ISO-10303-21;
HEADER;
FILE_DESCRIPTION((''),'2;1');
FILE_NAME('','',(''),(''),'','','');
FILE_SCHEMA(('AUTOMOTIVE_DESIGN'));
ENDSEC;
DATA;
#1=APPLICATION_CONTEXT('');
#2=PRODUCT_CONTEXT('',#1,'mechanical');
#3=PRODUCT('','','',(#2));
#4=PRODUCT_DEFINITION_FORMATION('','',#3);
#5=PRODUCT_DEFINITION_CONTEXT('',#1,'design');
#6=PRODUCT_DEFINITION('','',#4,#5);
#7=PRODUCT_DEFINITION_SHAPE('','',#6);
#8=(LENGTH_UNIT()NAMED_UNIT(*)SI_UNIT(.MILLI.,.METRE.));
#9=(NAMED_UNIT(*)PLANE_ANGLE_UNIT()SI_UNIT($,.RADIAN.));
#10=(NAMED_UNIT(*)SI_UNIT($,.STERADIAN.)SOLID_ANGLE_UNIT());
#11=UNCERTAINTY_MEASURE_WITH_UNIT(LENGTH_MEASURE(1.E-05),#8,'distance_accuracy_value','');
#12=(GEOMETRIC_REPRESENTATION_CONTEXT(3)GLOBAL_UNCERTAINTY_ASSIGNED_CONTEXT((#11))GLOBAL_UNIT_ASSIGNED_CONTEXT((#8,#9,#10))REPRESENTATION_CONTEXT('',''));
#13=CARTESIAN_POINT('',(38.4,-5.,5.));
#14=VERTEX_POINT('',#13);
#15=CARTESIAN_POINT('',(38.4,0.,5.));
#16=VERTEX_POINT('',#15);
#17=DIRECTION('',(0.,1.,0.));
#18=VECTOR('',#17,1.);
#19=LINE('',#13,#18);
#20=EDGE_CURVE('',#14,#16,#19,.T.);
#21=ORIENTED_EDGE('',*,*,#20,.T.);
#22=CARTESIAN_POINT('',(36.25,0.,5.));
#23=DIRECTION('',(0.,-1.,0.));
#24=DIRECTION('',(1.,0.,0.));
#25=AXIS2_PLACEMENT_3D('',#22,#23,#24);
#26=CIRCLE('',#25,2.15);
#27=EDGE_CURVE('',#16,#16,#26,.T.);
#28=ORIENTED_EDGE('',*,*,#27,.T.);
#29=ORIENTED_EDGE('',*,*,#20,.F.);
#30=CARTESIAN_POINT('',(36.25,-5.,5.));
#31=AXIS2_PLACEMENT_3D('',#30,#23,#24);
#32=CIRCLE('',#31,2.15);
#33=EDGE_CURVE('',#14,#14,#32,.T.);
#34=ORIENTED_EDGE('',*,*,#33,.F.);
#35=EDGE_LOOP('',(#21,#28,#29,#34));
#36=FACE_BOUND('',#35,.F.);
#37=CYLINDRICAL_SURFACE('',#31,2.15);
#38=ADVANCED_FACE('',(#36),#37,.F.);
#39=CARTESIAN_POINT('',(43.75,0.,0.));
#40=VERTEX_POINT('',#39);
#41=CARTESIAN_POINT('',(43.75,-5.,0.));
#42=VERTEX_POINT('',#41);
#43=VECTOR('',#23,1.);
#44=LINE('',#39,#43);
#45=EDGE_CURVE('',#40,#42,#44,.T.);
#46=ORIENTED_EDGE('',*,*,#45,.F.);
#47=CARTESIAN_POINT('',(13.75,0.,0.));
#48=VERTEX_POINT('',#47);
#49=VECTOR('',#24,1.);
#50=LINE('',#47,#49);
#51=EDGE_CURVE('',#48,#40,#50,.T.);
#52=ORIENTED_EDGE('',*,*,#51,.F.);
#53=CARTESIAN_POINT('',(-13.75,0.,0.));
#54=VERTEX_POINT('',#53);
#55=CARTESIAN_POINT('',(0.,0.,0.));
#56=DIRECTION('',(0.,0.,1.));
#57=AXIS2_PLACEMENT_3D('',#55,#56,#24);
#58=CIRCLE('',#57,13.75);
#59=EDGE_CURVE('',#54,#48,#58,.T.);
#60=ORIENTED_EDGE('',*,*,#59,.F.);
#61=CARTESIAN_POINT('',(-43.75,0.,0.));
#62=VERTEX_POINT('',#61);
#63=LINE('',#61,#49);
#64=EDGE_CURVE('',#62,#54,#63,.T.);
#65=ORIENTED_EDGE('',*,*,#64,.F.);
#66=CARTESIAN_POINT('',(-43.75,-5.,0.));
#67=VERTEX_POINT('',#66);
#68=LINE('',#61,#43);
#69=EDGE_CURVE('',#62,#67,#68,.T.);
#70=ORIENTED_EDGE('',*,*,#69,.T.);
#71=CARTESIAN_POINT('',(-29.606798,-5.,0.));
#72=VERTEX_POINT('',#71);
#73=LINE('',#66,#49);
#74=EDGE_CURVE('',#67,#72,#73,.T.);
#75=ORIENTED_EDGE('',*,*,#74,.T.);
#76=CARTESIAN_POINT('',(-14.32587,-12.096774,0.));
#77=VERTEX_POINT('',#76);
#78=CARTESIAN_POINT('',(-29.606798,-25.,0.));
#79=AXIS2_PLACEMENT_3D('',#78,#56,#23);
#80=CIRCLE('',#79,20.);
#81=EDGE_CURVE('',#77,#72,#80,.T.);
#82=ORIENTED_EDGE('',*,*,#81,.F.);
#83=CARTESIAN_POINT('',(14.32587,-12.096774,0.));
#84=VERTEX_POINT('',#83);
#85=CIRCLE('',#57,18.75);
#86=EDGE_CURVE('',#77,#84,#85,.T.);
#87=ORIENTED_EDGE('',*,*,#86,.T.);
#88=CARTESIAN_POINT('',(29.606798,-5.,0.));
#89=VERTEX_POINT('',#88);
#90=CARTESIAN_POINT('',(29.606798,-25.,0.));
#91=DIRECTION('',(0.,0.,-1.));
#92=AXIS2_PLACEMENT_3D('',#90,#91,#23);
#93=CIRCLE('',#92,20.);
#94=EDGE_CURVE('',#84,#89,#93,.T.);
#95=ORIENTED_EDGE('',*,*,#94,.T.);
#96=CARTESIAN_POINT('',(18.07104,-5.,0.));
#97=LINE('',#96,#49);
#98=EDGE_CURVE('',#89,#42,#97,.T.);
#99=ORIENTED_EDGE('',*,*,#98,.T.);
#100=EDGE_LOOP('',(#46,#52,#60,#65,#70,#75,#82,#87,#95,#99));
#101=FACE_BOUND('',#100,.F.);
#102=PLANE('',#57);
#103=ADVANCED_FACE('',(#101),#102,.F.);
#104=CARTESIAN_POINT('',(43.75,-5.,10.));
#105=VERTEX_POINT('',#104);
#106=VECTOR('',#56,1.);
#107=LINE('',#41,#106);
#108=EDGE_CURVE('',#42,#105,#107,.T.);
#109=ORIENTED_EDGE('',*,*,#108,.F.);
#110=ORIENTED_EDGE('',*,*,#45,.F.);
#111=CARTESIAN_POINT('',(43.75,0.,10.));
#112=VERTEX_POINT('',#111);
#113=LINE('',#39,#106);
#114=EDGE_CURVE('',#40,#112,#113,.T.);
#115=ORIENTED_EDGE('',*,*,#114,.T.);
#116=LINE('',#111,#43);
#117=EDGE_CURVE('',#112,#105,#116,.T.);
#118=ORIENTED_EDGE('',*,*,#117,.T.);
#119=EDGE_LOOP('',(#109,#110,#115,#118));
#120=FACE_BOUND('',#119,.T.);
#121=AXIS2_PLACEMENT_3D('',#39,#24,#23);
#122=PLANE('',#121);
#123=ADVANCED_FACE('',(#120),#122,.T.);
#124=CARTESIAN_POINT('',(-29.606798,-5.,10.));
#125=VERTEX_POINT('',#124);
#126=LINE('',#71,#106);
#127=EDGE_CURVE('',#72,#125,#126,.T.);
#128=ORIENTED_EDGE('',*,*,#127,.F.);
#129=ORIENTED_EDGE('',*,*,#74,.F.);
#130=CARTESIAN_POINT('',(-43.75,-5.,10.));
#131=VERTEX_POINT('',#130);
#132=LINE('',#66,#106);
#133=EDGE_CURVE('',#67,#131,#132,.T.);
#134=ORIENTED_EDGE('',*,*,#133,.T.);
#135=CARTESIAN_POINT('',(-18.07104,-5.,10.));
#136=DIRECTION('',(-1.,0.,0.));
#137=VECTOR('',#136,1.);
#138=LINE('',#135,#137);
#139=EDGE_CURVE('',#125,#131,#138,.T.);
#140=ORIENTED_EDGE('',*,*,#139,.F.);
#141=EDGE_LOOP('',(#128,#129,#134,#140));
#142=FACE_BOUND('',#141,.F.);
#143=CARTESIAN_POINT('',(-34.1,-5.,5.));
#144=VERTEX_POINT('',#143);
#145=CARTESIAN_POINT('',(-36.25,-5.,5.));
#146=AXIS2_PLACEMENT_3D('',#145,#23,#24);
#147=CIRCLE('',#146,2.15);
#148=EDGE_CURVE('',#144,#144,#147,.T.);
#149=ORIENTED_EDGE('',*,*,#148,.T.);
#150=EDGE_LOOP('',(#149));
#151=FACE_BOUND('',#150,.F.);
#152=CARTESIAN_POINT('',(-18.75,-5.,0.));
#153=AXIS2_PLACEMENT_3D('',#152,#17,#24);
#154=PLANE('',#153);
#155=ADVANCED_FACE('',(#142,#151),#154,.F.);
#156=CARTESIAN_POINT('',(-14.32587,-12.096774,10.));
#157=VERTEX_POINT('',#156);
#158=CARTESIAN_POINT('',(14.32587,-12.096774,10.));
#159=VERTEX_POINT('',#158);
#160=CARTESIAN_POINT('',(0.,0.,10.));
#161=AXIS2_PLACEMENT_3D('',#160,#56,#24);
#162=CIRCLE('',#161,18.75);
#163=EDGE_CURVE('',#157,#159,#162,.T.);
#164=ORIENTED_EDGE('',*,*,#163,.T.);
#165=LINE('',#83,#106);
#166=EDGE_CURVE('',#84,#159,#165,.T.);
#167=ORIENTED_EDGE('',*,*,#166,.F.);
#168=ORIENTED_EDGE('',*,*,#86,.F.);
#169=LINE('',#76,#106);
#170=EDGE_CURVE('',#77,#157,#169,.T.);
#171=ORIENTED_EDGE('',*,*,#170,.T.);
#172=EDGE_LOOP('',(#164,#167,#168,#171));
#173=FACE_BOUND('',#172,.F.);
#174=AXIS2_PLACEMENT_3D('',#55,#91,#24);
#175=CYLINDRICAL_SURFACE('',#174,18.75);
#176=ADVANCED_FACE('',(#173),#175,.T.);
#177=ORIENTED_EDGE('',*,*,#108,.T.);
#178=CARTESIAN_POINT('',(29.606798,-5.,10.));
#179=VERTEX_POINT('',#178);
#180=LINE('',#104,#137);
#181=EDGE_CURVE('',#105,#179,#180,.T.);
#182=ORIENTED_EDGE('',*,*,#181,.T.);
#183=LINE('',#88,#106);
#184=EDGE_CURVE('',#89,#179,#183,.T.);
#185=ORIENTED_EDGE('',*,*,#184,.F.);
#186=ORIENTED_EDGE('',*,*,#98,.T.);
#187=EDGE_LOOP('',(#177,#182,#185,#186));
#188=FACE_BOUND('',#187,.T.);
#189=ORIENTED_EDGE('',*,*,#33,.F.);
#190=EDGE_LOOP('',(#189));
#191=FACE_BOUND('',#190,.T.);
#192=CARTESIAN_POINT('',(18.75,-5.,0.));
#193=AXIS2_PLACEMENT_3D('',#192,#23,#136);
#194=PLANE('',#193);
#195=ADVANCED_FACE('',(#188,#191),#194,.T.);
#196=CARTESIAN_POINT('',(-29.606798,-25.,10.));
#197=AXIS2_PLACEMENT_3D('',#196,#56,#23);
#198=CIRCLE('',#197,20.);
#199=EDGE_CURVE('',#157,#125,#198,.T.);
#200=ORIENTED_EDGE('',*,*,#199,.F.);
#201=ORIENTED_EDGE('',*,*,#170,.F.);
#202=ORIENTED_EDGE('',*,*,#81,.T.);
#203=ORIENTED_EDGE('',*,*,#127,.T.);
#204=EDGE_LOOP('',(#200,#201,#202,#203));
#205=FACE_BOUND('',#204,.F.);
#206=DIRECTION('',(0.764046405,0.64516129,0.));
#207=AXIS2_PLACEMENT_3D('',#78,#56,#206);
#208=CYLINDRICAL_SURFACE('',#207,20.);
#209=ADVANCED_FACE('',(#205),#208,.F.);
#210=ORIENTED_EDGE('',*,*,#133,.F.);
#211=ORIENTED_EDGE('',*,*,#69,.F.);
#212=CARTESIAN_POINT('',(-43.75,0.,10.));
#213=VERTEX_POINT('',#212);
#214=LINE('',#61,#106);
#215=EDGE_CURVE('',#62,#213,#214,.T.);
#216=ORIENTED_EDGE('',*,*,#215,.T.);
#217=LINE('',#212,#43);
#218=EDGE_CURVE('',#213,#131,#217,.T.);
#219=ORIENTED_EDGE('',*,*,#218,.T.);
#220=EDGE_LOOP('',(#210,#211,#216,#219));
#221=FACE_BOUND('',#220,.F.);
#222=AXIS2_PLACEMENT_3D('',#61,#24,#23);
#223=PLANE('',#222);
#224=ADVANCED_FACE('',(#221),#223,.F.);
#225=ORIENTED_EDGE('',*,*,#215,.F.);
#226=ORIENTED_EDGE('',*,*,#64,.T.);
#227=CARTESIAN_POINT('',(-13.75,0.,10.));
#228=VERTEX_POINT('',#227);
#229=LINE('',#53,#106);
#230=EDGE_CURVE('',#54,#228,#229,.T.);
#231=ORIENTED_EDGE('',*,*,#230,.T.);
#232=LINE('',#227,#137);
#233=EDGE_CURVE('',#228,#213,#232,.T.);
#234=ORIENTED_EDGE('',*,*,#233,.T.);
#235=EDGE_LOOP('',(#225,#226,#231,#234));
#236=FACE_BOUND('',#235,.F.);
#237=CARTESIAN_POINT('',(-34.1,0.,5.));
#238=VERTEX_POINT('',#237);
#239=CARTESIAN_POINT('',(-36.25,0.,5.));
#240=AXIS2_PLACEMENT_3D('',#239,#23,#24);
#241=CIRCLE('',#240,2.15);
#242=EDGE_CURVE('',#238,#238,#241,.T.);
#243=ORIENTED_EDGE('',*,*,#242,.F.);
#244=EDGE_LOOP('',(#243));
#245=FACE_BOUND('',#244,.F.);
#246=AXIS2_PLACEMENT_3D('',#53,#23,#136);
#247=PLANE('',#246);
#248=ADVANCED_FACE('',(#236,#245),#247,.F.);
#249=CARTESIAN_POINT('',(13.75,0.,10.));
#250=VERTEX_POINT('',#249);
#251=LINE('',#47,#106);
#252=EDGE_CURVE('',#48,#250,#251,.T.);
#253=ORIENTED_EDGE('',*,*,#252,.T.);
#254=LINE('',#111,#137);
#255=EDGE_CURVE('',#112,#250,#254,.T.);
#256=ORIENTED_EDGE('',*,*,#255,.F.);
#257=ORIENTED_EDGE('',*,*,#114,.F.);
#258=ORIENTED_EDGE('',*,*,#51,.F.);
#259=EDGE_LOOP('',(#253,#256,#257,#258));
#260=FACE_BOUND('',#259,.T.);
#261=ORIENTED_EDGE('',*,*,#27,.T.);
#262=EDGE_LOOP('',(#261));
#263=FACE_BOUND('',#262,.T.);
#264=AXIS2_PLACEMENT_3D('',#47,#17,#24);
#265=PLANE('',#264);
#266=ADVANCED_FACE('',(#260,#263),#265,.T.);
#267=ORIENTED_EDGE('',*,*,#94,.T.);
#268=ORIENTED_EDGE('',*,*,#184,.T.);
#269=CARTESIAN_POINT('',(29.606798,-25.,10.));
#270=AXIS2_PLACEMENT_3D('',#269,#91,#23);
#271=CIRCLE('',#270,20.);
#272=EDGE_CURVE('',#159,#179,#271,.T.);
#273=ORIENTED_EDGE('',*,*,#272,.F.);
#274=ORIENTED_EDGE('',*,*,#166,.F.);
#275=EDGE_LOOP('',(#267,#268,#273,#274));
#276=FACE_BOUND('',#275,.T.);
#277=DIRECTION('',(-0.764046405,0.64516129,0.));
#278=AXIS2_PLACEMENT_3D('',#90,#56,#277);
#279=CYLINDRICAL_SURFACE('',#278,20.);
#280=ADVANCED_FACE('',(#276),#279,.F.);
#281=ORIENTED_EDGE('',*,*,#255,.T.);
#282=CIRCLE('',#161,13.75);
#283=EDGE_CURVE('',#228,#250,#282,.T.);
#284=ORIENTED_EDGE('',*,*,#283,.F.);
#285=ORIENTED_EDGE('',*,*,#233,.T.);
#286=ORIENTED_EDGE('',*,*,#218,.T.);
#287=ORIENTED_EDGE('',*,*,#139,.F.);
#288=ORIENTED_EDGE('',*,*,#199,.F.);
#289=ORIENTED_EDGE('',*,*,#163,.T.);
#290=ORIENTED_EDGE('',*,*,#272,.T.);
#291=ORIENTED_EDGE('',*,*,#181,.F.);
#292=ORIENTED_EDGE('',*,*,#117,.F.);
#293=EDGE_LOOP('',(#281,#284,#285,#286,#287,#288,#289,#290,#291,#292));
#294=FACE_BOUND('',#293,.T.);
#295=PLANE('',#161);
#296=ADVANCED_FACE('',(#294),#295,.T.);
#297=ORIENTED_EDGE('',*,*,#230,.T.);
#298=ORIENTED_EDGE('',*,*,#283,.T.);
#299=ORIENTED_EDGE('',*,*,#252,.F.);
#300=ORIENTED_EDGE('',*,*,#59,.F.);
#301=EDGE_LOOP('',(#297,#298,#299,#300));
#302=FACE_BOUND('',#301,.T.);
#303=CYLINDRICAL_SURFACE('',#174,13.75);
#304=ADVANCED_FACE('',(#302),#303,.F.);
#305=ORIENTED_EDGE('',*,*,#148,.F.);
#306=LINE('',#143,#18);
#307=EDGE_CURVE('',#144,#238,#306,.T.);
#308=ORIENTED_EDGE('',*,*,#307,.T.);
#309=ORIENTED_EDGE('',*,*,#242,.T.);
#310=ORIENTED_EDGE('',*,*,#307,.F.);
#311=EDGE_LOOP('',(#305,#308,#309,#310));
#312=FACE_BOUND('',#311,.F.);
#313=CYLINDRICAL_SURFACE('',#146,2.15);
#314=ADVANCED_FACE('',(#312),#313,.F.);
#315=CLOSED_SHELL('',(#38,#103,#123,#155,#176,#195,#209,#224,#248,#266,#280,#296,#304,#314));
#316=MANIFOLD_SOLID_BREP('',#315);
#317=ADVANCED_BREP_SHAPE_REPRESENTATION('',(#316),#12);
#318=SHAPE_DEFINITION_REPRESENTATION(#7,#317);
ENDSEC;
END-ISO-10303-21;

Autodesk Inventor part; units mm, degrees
ref_plane "YZ Plane" through (0, 0, 0) normal (1, 0, 0) x (0, 1, 0)
ref_plane "XZ Plane" through (0, 0, 0) normal (0, 1, 0) x (-1, 0, 0)
ref_plane "XY Plane" through (0, 0, 0) normal (0, 0, 1) x (1, 0, 0)
sketch "Sketch1" plane through (0, 0, 0) normal (0, 0, 1) x (1, 0, 0)
  circle A0 centre (0, 0) radius 13.75
  circle A1 centre (0, 0) radius 18.75
  line L0 (-18.75, 0) -> (-43.75, 0)
  line L1 (-43.75, 0) -> (-43.75, -5)
  line L2 (-43.75, -5) -> (-18.75, -5)
  line L3 (-18.75, -5) -> (-18.75, 0)
  line L4 (-18.75, -5) -> (-13.75, -5)
  line L5 (-13.75, -5) -> (-13.75, 0)
  line L6 (-13.75, 0) -> (-18.75, 0)
  line L7 (-18.75, 0) -> (-18.75, -5)
  line L8 (18.75, 0) -> (43.75, 0)
  line L9 (43.75, 0) -> (43.75, -5)
  line L10 (43.75, -5) -> (18.75, -5)
  line L11 (18.75, -5) -> (18.75, 0)
  line L12 (18.75, -5) -> (13.75, -5)
  line L13 (13.75, -5) -> (13.75, 0)
  line L14 (13.75, 0) -> (18.75, 0)
  line L15 (18.75, 0) -> (18.75, -5)
  point P0 (-18.071, -5)
  point P1 (18.071, -5)
  dimension "d0" = 27.5
  dimension "d1" = 5
  dimension "d2" = 5
  dimension "d3" = 25
  dimension "d4" = 25
  dimension "d5" = 5
extrude "Extrusion1" add sketch "Sketch1" along normal blind 10 contours L13 L12 A1 L4 L5 A0 | L14 A1 L12 L13 | L5 L4 A1 L6 | L11 L12 A1 | L8 L9 L10 L11 | L3 L2 L1 L0 | A1 L4 L3
sketch "Sketch2" plane through (-43.75, -5, 0) normal (0, -1, 0) x (1, 0, 0)
  line L0 (0, 0) -> (25.679, 0) projected
  line L1 (25.679, 0) -> (25.679, 10) projected
  line L2 (0, 10) -> (25.679, 10) projected
  line L3 (0, 0) -> (0, 10) projected
  line L4 (61.821, 0) -> (87.5, 0) projected
  line L5 (87.5, 0) -> (87.5, 10) projected
  line L6 (61.821, 10) -> (87.5, 10) projected
  line L7 (61.821, 0) -> (61.821, 10) projected
  circle A0 centre (7.5, 5) radius 2.15
  circle A1 centre (80, 5) radius 2.15
  line L8 (0, 0) -> (0, 10) projected
  line L9 (87.5, 0) -> (87.5, 10) projected
  point P0 (43.75, 0)
  point P1 (12.8395, 10)
  point P2 (0, 5)
  point P3 (74.6605, 10)
  point P4 (87.5, 5)
  point P5 (0, 5)
  point P6 (0, 5)
  point P7 (87.5, 5)
  point P8 (87.5, 5)
  dimension "d8" = 4.3
  dimension "d9" = 4.3
  dimension "d13" = 7.5
  dimension "d14" = 7.5
extrude "Extrusion2" cut sketch "Sketch2" against normal up to surface (5 mm away) contours A0 | A1
fillet "Fillet1" radius 20 2 edges at (-18.071, -5, 5) (18.071, -5, 5)
equation "\"d4\" = d3"
